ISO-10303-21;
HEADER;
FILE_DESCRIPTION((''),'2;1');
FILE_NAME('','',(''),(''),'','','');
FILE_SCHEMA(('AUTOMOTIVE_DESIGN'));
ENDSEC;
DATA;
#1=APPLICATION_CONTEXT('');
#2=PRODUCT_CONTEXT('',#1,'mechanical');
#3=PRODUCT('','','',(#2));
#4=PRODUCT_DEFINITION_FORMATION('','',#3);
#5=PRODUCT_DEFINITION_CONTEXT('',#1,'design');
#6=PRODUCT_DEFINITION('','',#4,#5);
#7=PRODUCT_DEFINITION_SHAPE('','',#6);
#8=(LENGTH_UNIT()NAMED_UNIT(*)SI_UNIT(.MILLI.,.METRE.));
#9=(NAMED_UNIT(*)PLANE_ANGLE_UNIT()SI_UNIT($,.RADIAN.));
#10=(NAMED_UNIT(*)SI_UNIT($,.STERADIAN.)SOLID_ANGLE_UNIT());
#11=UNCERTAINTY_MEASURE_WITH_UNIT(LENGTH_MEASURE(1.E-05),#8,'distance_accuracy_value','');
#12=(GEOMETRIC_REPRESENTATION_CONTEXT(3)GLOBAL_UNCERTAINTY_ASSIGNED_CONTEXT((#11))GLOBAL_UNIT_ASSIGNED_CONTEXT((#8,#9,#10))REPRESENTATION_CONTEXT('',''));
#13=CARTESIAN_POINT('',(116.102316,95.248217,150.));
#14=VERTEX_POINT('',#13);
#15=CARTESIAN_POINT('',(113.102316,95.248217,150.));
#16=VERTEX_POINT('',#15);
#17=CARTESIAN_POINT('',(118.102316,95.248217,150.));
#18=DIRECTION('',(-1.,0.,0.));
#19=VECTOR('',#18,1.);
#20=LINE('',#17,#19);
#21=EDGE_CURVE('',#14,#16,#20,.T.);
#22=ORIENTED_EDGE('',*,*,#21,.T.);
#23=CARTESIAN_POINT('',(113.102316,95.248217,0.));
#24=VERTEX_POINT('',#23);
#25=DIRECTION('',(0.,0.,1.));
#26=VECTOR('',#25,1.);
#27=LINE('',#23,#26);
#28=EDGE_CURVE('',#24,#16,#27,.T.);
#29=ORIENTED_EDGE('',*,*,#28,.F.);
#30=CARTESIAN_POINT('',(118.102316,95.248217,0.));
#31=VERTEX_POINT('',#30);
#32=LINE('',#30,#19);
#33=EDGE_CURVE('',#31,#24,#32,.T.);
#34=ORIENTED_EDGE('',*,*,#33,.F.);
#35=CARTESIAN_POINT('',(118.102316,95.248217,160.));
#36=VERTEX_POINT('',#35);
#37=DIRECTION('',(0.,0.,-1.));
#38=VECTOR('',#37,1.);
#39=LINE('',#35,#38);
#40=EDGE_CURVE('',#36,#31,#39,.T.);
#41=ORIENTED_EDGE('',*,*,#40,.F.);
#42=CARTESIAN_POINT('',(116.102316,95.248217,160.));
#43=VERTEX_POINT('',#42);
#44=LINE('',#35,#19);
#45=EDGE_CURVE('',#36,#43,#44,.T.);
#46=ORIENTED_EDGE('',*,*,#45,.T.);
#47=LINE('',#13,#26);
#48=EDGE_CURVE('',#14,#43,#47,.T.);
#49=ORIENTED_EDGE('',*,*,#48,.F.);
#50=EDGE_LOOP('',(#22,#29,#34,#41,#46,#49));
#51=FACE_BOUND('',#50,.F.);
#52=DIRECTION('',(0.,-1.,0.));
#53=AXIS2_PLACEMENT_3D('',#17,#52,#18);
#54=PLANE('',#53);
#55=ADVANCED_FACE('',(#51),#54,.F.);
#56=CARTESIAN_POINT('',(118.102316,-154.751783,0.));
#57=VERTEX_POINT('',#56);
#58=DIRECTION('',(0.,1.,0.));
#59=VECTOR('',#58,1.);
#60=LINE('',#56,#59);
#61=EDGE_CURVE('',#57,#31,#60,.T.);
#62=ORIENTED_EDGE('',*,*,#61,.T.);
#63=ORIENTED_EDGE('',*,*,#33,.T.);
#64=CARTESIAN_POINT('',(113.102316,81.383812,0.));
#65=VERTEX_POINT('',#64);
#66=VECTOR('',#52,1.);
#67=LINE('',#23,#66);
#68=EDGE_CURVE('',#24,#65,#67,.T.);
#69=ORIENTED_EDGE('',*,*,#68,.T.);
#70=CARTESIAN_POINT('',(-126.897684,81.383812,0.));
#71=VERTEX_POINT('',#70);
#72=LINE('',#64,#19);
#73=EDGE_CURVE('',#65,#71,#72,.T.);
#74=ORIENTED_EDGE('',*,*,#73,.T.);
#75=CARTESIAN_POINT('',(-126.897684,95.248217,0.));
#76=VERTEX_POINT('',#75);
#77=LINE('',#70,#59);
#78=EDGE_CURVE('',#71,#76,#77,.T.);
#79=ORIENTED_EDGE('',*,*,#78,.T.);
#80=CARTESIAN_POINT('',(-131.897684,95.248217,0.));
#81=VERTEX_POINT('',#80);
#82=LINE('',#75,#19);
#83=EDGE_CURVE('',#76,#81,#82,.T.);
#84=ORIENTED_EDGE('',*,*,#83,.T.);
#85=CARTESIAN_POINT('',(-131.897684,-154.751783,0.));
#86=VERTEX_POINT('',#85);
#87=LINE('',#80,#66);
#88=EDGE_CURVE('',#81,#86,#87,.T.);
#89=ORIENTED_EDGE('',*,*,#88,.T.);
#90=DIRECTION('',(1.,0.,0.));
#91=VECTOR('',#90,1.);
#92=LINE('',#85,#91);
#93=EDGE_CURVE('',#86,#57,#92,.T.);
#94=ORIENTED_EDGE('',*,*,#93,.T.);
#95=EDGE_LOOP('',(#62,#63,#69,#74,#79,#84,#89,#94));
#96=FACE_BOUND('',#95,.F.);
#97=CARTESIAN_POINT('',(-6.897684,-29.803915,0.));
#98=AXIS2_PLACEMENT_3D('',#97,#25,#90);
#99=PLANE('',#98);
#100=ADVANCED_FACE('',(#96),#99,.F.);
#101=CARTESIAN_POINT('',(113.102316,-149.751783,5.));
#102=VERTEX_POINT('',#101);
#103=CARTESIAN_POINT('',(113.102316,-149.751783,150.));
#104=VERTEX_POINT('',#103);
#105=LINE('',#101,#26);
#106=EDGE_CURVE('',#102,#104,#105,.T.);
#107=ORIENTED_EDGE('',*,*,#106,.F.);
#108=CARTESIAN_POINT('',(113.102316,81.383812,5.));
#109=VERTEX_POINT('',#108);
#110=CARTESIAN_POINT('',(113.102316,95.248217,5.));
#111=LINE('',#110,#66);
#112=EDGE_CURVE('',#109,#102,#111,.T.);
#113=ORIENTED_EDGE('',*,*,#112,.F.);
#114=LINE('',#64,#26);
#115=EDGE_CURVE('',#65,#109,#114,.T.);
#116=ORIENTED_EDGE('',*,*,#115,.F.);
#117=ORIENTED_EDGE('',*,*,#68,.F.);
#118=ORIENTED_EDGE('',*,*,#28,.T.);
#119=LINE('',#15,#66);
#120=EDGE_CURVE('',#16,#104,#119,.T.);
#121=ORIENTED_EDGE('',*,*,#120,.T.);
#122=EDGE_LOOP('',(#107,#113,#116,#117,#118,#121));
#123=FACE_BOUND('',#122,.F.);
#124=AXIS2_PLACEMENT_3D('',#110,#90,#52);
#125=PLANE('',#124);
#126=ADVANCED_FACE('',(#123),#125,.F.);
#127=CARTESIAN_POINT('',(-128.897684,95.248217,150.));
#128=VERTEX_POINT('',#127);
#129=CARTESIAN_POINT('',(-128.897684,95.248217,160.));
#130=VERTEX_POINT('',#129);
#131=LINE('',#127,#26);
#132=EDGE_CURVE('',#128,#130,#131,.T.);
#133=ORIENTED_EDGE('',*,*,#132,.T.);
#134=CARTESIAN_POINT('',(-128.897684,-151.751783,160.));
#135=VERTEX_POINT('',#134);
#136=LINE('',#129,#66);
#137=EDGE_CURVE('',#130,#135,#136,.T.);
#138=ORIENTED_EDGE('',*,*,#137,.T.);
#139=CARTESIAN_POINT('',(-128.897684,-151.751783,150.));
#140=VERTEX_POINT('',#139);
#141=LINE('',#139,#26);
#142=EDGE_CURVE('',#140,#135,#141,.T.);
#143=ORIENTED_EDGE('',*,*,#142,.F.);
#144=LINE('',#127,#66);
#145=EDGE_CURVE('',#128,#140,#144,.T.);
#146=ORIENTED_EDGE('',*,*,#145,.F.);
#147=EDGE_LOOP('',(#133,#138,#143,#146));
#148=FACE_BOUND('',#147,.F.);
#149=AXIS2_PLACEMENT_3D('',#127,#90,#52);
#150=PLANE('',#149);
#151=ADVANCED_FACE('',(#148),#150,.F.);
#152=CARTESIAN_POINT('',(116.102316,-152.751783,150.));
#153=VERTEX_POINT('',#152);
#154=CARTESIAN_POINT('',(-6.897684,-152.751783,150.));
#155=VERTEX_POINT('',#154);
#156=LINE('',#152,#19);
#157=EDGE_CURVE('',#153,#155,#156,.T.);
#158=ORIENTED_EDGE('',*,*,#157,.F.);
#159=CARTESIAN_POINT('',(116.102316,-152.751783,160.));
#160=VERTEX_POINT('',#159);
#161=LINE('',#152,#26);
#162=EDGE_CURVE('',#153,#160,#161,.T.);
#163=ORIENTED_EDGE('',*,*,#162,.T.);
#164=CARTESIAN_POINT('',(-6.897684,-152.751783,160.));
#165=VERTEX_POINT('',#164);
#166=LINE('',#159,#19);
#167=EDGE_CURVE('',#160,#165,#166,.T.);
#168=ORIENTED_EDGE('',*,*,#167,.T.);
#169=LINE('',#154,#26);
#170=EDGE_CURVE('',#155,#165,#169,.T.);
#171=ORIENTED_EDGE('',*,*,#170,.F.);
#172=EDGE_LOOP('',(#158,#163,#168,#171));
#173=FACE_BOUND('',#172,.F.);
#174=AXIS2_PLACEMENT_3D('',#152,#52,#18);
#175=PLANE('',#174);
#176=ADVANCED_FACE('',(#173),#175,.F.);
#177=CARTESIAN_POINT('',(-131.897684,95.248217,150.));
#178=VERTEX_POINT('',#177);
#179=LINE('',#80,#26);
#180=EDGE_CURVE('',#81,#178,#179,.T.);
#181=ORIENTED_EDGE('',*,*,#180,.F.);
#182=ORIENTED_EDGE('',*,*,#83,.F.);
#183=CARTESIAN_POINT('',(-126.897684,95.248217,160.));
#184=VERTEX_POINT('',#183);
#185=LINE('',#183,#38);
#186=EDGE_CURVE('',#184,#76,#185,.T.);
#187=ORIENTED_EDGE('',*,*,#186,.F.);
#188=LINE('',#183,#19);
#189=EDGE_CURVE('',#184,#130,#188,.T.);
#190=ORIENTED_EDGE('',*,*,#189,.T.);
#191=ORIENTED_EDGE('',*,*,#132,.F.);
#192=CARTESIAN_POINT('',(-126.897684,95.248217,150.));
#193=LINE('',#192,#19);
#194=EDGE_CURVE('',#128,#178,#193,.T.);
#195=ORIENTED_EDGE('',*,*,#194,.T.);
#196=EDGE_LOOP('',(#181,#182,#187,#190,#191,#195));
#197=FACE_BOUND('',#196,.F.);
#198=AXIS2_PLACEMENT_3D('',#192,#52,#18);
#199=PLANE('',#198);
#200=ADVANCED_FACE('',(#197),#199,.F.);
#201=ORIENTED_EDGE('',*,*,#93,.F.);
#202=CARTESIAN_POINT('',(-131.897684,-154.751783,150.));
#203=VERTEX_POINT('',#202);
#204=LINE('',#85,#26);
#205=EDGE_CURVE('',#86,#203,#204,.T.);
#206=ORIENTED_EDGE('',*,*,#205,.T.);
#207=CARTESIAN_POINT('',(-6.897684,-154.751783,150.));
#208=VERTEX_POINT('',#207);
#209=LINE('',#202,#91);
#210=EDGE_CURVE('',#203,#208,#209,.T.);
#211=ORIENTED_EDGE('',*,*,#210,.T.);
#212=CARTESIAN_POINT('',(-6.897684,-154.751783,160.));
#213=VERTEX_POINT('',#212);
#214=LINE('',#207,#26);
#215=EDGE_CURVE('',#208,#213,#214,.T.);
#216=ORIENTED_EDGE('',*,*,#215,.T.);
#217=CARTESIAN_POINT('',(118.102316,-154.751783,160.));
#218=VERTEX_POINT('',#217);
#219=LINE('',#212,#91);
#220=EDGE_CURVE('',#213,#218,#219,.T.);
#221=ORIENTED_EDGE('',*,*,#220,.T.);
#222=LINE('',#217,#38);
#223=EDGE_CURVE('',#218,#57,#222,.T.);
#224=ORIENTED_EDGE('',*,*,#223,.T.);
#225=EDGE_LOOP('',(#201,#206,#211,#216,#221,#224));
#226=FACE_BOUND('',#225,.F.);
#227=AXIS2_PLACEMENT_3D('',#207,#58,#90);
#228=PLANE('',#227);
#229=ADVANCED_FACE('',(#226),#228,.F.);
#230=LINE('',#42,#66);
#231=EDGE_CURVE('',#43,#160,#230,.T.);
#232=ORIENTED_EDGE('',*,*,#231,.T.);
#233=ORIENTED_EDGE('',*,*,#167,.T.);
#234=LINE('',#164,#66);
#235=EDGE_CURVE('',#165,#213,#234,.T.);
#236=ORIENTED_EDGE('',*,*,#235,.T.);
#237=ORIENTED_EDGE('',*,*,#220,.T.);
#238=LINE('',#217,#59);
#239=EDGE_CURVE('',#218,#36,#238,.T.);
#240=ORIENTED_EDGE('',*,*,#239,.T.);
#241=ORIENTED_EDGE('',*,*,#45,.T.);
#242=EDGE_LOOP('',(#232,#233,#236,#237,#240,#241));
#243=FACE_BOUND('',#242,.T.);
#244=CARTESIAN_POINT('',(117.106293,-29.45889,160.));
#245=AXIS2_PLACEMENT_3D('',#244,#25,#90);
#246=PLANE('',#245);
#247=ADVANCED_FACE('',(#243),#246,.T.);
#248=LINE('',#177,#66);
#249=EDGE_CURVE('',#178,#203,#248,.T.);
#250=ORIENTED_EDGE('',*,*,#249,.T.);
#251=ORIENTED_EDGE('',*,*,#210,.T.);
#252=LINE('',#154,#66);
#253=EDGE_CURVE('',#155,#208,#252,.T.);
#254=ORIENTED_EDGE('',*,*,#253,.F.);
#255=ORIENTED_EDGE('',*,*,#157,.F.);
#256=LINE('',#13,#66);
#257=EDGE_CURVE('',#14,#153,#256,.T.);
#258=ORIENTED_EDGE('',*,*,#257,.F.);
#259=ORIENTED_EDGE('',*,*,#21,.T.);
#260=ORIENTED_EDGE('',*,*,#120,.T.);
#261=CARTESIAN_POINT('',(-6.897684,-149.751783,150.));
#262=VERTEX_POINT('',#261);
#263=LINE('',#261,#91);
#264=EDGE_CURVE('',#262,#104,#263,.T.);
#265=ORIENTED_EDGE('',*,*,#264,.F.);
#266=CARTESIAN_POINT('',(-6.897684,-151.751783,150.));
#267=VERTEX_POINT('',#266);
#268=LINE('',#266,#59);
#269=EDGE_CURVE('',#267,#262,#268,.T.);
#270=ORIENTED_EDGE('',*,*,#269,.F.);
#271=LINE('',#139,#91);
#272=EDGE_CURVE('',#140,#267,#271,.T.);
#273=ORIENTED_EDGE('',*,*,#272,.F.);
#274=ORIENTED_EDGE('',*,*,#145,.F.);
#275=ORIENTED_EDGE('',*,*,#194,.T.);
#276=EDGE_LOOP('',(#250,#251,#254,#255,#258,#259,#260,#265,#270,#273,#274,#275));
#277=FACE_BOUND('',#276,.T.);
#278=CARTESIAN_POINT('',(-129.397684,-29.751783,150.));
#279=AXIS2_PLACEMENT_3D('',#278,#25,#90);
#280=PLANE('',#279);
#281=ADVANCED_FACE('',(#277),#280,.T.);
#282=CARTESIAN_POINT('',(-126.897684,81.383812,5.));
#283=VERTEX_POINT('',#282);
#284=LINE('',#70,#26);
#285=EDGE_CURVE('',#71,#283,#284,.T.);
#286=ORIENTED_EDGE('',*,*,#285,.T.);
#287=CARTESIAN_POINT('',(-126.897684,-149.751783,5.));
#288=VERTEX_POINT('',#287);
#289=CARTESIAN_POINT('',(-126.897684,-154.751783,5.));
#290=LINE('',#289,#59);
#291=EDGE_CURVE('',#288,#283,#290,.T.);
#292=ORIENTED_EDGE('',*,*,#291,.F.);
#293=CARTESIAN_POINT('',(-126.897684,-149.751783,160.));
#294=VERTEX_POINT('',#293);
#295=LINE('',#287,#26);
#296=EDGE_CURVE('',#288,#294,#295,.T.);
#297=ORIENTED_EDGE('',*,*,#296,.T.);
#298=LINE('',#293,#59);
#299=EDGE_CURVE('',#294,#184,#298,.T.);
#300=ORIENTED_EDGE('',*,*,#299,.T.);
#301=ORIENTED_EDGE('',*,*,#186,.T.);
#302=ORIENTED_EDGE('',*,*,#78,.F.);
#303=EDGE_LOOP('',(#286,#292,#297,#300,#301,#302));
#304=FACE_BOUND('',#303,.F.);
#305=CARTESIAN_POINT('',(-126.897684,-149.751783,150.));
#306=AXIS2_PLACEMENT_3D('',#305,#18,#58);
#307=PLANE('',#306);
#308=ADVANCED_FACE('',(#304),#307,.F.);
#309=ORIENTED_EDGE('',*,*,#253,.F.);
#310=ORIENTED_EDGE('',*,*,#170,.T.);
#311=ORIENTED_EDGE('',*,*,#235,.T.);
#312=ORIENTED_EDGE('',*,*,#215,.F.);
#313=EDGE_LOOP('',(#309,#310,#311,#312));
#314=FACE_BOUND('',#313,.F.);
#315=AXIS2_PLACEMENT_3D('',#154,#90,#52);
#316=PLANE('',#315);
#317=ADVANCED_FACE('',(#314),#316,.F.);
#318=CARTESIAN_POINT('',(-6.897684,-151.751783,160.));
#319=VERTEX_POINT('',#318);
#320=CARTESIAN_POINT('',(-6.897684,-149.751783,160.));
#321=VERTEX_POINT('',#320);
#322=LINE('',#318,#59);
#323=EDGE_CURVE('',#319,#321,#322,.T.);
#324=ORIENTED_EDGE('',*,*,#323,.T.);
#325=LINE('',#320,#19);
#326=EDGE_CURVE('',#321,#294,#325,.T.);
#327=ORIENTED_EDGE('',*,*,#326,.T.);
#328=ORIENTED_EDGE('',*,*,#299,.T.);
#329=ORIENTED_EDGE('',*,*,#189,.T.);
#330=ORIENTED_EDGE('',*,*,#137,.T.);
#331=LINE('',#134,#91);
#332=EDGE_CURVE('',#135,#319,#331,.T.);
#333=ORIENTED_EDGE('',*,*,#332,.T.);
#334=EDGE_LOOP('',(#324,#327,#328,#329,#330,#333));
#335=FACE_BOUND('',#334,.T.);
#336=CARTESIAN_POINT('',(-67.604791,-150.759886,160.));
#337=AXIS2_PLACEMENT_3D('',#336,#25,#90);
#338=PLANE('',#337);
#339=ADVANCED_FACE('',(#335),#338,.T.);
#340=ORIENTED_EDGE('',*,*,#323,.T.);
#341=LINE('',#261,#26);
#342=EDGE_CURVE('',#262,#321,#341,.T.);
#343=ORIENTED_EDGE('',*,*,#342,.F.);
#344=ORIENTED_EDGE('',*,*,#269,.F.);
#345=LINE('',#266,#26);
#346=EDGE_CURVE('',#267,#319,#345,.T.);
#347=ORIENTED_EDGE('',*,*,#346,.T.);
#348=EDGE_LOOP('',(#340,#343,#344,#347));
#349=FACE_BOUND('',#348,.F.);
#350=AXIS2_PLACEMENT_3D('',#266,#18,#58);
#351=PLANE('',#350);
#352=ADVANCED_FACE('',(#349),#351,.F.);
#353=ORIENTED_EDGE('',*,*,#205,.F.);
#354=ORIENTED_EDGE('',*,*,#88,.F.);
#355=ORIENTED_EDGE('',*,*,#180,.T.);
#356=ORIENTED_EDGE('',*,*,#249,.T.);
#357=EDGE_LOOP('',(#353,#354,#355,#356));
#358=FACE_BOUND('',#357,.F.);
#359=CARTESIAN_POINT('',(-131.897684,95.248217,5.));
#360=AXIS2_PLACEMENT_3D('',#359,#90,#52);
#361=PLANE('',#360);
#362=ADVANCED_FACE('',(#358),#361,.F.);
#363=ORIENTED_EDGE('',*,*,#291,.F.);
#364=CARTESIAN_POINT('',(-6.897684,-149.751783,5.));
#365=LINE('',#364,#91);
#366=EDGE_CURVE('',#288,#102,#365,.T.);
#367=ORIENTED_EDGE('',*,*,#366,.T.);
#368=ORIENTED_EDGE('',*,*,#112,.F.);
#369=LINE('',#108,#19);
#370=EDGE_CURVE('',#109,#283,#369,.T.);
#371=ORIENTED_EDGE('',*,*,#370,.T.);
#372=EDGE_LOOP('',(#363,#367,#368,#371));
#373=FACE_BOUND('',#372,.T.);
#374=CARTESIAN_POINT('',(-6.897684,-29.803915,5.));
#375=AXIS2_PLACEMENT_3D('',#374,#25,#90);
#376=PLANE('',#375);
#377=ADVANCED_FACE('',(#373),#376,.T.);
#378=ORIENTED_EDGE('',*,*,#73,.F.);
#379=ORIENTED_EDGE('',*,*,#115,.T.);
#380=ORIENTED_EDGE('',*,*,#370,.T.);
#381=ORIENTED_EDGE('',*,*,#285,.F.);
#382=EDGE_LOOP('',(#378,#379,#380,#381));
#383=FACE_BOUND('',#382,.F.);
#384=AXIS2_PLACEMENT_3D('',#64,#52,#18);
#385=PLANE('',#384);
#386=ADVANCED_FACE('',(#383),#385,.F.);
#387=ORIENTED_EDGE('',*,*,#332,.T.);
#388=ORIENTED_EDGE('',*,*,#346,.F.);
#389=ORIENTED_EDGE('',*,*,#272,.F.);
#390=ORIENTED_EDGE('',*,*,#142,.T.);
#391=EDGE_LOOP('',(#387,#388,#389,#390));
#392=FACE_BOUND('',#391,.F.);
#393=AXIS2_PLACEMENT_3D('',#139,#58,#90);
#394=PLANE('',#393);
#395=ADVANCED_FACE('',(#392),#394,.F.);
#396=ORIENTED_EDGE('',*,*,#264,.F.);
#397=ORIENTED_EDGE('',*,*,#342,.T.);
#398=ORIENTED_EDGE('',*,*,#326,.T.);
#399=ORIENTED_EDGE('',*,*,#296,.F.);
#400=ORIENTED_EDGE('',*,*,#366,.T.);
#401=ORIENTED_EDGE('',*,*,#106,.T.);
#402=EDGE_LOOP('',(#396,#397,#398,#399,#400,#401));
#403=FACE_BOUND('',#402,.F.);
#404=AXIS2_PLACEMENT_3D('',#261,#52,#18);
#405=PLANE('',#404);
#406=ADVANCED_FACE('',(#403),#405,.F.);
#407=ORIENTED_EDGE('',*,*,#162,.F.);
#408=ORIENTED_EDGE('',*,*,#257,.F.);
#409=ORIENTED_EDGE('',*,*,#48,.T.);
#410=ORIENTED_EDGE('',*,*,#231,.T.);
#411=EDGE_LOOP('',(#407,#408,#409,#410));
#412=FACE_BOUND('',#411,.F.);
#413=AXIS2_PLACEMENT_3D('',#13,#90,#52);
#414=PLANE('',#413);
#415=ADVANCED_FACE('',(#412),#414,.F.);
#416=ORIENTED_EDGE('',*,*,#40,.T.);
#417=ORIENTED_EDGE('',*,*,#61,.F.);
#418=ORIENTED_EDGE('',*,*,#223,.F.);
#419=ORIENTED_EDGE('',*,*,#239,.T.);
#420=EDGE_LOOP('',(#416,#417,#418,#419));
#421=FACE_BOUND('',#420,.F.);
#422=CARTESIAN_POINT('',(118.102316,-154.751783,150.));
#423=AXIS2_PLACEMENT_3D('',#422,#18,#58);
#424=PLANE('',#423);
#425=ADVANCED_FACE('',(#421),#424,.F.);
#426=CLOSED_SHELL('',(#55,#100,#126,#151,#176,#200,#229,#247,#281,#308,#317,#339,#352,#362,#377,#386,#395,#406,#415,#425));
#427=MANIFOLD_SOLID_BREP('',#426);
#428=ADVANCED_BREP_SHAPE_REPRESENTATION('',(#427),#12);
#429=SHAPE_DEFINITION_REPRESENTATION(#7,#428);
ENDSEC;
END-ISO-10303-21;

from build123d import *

# Parameters (mm, degrees)
F1_DEPTH = 5
F2_W     = 240
F2_H     = 5
F3_DEPTH = 145
F5_DEPTH = 10
F6_DEPTH = 10


with BuildPart() as f1:
    # F0 (on Top) → F1 (new body)
    with BuildSketch(Plane.XY):
        Polygon((-126.897684, 95.248217), (-131.897684, 95.248217), (-131.897684, -154.751783), (118.102316, -154.751783), (118.102316, 95.248217), (113.102316, 95.248217), (113.102316, 81.383812), (-126.897684, 81.383812), align=None)
    extrude(amount=F1_DEPTH)

    # F2 (on face) → F3 (join)
    with BuildSketch(Plane.XY.offset(5)):
        Polygon((-126.897684, -149.751783), (-126.897684, 95.248217), (-131.897684, 95.248217), (-131.897684, -154.751783), (-126.897684, -154.751783), align=None)
        with Locations((-6.897684, -152.251783)):
            Rectangle(F2_W, F2_H)
        Polygon((113.102316, 95.248217), (113.102316, -149.751783), (113.102316, -154.751783), (118.102316, -154.751783), (118.102316, 95.248217), align=None)
    extrude(amount=F3_DEPTH)

    # F4 (on face) → F5 (join)
    with BuildSketch(Plane.XY.offset(150)):
        Polygon((-128.897684, -151.751783), (-6.897684, -151.751783), (-6.897684, -149.751783), (-126.897684, -149.751783), align=None)
        Polygon((-128.897684, 95.248217), (-128.897684, -151.751783), (-126.897684, -149.751783), (-126.897684, 95.248217), align=None)
    extrude(amount=F5_DEPTH)

    # F4 (on face) → F6 (join)
    with BuildSketch(Plane.XY.offset(150)):
        Polygon((118.102316, 95.248217), (116.102316, 95.248217), (116.102316, -152.751783), (118.102316, -154.751783), align=None)
        Polygon((118.102316, -154.751783), (116.102316, -152.751783), (-6.897684, -152.751783), (-6.897684, -154.751783), align=None)
    extrude(amount=F6_DEPTH)


solid = f1.part
